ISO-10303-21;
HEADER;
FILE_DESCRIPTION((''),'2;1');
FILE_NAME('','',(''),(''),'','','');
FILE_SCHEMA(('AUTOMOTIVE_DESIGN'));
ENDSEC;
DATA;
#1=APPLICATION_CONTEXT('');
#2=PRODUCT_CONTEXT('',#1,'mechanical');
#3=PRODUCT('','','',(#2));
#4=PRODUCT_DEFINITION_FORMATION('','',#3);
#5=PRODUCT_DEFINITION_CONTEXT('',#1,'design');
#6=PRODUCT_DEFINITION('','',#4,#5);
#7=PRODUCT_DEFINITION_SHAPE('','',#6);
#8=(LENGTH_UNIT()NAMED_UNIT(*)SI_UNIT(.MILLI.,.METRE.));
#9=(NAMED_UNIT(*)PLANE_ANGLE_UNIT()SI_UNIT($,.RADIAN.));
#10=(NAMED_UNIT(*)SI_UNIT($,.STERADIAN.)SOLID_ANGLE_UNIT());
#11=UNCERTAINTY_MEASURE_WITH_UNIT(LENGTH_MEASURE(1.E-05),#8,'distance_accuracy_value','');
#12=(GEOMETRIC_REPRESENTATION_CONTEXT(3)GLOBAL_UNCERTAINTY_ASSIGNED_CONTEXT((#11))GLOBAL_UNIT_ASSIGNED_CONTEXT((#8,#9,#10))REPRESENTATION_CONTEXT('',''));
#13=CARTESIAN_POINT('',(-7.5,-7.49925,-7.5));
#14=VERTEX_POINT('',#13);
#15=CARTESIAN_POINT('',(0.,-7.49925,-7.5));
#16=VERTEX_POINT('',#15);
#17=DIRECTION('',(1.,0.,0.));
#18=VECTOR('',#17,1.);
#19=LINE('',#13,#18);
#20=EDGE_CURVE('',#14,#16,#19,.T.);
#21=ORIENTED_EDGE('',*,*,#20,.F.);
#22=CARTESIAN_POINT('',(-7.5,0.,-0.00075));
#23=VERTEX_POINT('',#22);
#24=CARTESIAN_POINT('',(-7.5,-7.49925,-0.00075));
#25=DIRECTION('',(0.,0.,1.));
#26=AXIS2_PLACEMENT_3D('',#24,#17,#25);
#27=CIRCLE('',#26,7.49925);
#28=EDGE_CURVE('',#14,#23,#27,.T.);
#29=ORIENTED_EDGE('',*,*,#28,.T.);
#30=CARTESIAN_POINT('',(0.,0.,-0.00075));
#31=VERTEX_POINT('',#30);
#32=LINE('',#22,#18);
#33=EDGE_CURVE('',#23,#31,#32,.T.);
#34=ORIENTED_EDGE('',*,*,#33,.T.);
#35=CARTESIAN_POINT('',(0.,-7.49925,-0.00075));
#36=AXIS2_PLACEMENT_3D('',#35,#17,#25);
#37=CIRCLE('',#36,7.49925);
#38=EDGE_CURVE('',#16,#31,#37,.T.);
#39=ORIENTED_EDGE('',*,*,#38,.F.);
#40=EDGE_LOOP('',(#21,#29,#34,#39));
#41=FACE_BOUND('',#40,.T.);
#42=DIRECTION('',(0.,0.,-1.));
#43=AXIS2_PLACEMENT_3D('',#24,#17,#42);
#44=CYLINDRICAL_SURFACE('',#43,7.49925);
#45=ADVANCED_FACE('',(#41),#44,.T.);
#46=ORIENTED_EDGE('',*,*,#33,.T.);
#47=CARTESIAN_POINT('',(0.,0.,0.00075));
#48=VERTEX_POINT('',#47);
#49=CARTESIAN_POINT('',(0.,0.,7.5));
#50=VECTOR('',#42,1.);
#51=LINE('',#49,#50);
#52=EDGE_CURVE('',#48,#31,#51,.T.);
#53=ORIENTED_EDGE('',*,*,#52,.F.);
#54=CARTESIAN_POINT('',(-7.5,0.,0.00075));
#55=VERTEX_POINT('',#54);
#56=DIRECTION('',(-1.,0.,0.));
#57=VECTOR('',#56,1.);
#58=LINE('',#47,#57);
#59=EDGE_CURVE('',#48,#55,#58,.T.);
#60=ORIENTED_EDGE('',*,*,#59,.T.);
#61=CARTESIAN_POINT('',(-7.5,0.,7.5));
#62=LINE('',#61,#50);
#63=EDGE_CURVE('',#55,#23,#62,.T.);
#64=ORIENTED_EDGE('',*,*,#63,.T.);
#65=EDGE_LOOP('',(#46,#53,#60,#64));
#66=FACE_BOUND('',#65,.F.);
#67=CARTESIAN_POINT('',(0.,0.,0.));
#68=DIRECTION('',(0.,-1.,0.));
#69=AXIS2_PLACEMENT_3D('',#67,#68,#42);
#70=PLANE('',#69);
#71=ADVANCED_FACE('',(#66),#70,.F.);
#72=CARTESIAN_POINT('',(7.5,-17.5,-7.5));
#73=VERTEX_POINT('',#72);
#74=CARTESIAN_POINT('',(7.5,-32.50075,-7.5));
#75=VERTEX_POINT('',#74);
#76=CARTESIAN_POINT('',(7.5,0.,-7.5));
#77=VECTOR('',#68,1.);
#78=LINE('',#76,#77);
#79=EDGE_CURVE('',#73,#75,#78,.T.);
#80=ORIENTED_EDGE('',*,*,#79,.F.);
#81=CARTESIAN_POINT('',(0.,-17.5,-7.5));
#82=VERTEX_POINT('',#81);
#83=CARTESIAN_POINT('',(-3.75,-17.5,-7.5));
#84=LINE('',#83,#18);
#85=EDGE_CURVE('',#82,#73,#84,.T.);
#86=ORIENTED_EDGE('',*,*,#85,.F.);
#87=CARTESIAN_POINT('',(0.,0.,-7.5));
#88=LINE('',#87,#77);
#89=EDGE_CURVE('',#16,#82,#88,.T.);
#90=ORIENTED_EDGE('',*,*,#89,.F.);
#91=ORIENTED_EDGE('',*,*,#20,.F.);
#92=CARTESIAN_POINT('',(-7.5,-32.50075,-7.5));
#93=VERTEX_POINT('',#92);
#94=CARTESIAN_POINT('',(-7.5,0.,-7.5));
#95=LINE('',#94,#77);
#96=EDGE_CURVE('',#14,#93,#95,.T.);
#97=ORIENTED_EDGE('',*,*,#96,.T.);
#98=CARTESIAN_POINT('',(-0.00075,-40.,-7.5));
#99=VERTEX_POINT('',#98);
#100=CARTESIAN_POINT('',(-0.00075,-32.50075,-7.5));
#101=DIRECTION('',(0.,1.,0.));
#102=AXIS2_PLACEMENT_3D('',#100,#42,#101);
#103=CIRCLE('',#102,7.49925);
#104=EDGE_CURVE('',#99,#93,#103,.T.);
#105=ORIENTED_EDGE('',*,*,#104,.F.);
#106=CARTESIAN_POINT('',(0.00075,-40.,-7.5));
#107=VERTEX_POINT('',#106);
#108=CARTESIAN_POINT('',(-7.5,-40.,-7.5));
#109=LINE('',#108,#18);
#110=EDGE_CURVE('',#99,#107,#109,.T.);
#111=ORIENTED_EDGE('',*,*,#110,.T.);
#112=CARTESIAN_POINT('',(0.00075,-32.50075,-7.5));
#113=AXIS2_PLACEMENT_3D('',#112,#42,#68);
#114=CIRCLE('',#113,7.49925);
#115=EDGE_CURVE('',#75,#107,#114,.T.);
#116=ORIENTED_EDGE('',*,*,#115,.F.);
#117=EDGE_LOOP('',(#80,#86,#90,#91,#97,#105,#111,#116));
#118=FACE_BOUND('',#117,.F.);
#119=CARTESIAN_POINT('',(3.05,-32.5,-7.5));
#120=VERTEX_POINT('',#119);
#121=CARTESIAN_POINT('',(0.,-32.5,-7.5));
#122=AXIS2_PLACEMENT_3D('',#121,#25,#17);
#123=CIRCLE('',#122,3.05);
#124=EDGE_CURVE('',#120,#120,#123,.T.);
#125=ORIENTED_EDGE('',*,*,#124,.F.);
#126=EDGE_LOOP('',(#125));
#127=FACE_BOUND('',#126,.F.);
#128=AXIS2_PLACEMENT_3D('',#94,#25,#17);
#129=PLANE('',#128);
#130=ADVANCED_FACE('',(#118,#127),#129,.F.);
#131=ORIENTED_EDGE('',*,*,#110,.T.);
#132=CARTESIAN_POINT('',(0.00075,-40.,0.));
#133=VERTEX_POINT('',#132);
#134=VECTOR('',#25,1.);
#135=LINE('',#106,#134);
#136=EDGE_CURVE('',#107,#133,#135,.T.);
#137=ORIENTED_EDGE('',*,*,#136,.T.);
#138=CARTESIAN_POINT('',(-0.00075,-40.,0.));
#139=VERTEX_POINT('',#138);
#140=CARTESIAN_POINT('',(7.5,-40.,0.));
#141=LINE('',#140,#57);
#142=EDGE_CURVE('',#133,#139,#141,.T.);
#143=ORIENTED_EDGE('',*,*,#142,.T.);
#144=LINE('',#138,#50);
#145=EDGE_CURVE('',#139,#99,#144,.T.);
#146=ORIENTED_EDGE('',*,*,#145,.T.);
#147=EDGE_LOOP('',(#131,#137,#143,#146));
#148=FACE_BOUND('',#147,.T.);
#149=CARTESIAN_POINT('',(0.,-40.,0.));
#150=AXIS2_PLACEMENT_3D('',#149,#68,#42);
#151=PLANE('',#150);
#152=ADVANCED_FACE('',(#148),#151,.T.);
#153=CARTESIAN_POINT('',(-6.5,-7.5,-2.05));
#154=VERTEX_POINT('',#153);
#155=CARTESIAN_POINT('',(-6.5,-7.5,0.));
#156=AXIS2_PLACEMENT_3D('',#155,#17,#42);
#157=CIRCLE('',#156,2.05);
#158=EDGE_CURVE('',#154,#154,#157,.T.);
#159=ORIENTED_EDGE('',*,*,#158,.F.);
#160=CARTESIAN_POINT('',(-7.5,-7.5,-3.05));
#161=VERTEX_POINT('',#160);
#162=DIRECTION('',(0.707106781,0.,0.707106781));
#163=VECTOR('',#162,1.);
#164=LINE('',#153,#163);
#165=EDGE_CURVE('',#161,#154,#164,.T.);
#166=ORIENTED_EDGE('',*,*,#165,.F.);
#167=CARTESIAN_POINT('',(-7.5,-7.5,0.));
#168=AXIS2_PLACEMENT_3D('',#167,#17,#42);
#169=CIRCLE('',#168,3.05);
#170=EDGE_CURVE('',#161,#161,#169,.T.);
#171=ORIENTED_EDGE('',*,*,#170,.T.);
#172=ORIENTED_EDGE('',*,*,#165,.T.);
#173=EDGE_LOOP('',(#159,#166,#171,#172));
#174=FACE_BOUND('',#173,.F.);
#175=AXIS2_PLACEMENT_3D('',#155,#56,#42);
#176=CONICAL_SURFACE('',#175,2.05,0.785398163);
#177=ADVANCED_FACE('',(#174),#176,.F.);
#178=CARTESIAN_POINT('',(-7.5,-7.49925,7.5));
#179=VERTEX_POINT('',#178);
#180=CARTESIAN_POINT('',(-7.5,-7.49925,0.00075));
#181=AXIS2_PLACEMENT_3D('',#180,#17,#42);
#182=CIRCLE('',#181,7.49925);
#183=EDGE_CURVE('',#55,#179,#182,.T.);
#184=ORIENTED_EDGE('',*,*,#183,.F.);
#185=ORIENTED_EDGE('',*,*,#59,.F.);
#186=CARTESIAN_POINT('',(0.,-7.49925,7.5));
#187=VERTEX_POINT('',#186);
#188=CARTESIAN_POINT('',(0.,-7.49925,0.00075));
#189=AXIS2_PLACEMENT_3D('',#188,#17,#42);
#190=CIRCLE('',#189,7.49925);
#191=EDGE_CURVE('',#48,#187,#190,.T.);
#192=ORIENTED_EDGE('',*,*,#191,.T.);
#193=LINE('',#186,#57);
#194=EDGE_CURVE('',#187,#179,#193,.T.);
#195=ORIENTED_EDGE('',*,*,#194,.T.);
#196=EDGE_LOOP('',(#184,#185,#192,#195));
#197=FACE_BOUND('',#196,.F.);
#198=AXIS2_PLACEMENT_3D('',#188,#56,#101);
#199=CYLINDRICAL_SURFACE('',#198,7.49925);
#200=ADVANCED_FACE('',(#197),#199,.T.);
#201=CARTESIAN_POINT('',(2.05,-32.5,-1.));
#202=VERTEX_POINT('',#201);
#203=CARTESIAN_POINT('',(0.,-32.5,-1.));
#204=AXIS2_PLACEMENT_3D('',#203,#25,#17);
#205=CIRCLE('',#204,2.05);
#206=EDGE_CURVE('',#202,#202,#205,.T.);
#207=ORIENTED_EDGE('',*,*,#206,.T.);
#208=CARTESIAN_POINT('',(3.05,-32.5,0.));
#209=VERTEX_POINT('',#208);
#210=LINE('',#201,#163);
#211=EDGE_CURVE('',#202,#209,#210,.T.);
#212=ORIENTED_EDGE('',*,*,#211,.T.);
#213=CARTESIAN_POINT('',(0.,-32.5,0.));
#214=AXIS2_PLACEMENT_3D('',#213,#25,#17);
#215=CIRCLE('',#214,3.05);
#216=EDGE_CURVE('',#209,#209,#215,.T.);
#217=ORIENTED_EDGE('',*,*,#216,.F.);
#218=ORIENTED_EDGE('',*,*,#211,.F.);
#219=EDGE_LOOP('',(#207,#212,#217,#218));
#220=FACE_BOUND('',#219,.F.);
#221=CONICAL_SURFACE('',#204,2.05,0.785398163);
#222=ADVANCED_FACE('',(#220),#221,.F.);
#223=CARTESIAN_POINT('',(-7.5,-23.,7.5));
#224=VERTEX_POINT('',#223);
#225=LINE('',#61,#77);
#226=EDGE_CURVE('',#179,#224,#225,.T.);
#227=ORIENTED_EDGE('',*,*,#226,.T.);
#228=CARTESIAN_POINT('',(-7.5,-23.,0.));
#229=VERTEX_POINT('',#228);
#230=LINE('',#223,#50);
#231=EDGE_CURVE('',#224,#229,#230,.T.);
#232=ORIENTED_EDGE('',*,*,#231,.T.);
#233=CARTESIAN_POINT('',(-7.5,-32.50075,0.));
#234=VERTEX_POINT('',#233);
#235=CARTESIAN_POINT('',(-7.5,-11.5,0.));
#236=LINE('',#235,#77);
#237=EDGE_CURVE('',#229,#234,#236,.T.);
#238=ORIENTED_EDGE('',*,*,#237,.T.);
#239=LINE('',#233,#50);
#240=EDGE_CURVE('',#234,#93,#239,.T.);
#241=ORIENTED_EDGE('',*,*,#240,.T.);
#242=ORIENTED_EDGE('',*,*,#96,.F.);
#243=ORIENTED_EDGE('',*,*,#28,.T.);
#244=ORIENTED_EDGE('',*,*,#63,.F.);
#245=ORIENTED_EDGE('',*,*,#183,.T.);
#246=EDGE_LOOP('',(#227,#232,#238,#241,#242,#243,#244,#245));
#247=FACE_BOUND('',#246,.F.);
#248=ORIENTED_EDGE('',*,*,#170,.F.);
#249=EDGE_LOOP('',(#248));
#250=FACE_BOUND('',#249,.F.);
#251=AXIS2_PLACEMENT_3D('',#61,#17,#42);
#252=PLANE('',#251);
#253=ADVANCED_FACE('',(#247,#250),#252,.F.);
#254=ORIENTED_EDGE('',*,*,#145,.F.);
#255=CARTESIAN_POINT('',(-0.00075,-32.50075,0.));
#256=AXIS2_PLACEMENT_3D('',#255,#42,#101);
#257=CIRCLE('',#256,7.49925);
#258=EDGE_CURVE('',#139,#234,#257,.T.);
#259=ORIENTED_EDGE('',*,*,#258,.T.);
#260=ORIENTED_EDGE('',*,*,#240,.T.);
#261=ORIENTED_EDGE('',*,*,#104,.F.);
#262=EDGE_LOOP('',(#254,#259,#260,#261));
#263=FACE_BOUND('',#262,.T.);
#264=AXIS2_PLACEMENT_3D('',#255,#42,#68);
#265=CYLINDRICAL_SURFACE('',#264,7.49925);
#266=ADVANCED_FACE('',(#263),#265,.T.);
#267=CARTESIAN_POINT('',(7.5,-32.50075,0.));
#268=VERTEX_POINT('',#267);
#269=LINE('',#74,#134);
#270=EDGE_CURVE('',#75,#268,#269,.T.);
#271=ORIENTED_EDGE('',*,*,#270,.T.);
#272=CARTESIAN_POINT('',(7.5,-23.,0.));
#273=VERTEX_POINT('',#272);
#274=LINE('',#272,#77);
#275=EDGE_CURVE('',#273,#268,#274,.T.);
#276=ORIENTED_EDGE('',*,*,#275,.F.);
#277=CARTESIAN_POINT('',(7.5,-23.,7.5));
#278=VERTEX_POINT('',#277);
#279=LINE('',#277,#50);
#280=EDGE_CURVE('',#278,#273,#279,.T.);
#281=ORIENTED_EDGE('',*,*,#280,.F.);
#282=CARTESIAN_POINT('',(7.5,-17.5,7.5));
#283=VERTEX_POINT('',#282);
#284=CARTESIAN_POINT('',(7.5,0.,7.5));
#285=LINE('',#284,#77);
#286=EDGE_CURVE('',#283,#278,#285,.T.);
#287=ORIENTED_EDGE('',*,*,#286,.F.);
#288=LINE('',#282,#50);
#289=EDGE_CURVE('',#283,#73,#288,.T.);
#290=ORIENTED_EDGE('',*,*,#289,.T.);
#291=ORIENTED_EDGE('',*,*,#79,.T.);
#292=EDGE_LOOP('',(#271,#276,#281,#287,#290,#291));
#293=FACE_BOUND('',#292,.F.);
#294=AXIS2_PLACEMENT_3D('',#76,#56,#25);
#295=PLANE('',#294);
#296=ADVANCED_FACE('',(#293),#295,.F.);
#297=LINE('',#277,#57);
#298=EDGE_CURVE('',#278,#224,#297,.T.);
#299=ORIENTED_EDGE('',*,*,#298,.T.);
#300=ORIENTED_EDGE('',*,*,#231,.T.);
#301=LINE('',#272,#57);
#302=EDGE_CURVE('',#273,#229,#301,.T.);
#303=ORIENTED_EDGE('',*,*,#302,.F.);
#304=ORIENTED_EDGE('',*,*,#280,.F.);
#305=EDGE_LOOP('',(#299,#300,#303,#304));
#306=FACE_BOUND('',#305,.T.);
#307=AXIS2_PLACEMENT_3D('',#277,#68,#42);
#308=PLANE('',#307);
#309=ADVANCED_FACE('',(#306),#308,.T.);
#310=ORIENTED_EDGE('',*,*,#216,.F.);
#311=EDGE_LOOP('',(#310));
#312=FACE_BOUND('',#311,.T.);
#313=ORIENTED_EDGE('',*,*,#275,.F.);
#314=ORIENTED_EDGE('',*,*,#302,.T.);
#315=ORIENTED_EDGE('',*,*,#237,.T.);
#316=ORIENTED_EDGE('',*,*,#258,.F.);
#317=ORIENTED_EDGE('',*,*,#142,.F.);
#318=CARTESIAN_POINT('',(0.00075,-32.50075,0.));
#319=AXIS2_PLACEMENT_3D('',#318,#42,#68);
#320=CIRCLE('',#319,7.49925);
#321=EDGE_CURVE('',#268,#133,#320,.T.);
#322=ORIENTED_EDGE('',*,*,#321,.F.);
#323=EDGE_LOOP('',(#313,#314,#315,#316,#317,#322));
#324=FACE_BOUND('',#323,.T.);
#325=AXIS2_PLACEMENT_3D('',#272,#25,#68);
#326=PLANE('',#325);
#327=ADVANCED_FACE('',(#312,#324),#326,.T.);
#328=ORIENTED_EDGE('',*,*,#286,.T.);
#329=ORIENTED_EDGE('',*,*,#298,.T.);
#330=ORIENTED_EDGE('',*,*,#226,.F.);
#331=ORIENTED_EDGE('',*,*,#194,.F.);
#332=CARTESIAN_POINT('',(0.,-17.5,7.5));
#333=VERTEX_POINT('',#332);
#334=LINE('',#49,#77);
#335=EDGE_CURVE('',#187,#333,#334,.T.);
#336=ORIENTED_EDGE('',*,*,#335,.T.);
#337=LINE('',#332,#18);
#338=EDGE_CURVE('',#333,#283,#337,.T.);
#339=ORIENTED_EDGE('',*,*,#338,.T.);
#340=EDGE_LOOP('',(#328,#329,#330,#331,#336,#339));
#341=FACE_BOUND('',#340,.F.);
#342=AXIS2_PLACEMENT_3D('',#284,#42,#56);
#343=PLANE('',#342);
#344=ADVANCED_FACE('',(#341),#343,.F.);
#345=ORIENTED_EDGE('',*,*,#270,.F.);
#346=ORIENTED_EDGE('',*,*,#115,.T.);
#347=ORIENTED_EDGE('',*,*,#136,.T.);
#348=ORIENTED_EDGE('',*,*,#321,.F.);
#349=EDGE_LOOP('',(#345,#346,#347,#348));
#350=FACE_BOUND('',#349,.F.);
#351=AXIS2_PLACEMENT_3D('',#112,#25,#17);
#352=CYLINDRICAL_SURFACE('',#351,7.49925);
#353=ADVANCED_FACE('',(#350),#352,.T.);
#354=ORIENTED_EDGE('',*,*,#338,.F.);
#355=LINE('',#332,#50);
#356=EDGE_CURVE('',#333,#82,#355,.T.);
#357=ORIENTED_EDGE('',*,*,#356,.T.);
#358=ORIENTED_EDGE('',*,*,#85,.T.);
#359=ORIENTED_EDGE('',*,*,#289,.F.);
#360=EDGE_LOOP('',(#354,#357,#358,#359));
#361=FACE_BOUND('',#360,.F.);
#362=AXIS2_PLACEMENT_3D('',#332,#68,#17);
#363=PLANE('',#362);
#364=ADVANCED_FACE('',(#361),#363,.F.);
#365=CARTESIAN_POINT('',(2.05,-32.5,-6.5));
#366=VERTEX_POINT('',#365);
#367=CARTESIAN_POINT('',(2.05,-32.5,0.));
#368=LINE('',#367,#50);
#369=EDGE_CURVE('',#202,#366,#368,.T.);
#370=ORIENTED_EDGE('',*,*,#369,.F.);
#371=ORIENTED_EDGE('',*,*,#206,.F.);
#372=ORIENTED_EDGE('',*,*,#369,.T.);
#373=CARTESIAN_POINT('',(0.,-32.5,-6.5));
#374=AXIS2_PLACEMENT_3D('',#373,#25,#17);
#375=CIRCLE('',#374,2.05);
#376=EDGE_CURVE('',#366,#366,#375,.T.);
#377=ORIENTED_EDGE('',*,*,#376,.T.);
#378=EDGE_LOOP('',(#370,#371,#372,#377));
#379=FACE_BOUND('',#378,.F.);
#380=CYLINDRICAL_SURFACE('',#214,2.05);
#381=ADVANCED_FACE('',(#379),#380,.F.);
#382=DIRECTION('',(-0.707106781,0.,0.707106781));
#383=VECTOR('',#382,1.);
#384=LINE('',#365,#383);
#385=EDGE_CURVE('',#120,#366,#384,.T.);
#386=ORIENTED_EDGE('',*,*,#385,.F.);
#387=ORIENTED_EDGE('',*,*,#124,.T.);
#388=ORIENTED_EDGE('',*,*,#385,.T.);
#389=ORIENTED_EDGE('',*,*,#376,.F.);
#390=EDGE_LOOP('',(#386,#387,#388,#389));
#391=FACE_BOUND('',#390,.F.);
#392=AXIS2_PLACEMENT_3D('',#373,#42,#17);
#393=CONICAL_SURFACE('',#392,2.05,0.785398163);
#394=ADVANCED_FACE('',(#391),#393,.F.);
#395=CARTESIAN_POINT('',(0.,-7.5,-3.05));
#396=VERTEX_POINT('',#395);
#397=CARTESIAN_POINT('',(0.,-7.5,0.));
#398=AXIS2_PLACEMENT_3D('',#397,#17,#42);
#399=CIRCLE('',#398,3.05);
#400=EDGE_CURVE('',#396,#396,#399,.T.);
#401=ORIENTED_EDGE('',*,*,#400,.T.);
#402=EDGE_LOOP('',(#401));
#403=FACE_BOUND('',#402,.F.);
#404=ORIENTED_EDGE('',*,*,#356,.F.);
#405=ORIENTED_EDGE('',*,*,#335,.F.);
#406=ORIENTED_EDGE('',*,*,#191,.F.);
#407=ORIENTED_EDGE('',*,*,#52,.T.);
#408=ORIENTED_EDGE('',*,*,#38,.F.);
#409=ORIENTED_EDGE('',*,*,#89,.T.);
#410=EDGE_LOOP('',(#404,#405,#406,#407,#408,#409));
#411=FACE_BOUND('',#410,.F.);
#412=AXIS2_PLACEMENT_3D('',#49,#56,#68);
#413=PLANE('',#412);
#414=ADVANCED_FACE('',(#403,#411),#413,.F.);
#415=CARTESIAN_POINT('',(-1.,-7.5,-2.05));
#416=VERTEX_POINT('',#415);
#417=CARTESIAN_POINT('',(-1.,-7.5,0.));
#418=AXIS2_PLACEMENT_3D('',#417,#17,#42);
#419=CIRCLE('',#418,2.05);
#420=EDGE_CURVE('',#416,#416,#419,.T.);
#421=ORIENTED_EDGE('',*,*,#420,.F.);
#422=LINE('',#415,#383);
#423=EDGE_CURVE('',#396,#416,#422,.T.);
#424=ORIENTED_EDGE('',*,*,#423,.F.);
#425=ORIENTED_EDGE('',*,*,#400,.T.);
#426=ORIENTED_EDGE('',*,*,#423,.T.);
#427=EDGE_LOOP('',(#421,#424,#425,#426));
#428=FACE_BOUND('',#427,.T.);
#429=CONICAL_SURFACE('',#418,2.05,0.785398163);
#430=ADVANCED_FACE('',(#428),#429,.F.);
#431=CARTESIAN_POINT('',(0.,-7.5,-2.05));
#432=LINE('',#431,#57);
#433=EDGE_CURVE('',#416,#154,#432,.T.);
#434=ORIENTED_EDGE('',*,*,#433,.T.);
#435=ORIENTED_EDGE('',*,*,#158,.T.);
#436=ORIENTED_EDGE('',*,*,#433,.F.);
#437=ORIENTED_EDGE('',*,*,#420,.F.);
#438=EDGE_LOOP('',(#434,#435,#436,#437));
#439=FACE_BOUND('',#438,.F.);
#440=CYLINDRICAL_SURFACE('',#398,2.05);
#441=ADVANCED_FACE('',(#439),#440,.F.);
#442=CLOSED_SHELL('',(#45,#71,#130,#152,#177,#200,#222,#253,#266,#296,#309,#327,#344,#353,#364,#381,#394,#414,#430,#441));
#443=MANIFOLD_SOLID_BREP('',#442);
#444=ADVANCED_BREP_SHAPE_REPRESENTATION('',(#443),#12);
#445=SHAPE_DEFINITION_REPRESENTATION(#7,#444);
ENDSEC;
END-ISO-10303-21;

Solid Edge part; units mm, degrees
sketch "Sketch1" plane through (0, 0, 0) normal (0, -1, 0) x (1, 0, 0)
  line L0 (-7.5, -7.5) -> (7.5, -7.5)
  line L1 (7.5, -7.5) -> (7.5, 7.5)
  line L2 (7.5, 7.5) -> (-7.5, 7.5)
  line L3 (-7.5, 7.5) -> (-7.5, -7.5)
  dimension "D1" = 15
  dimension "D2" = 15
extrude "Protrusion1" add sketch "Sketch1" along normal blind 40
sketch "Sketch2" plane through (7.5, -20, 0) normal (1, 0, 0) x (0, 1, 0)
  line L0 (-20, 7.5) -> (-3, 7.5)
  line L1 (-3, 7.5) -> (-3, 0)
  line L2 (-3, 0) -> (-20, 0)
  line L3 (-20, 0) -> (-20, 7.5)
  dimension "D1" = 17
extrude "Cutout1" cut sketch "Sketch2" against normal through all
sketch "Sketch3" plane through (0, -11.5, 7.5) normal (0, 0, 1) x (1, 0, 0)
  line L0 (7.5, 11.5) -> (0, 11.5)
  line L1 (0, 11.5) -> (0, -6)
  line L2 (0, -6) -> (7.5, -6)
  line L3 (7.5, -6) -> (7.5, 11.5)
  dimension "D1" = 17.5
extrude "Cutout2" cut sketch "Sketch3" against normal through all
fillet "Verrundung_1" radius 7.5 4 edges at (7.5, -40, -3.75) (-7.5, -40, -3.75) (-3.75, 0, 7.5) (-3.75, 0, -7.5)
sketch "Sketch4" plane through (0, -8.75, 0) normal (1, 0, 0) x (0, 0, -1)
  circle A0 centre (0, 1.25) radius 2.05
  dimension "D1" = 4.1
extrude "Cutout3" cut sketch "Sketch4" against normal through all
sketch "Sketch5" plane through (0, -31.5, 0) normal (0, 0, 1) x (1, 0, 0)
  circle A0 centre (0, -1) radius 2.05
  dimension "D1" = 4.1
extrude "Cutout4" cut sketch "Sketch5" against normal through all
chamfer "Fase_1" distance 1 angle 45 4 edges at (0, -7.5, 2.05) (-2.05, -32.5, 0) (-2.05, -32.5, -7.5) (-7.5, -7.5, 2.05)
